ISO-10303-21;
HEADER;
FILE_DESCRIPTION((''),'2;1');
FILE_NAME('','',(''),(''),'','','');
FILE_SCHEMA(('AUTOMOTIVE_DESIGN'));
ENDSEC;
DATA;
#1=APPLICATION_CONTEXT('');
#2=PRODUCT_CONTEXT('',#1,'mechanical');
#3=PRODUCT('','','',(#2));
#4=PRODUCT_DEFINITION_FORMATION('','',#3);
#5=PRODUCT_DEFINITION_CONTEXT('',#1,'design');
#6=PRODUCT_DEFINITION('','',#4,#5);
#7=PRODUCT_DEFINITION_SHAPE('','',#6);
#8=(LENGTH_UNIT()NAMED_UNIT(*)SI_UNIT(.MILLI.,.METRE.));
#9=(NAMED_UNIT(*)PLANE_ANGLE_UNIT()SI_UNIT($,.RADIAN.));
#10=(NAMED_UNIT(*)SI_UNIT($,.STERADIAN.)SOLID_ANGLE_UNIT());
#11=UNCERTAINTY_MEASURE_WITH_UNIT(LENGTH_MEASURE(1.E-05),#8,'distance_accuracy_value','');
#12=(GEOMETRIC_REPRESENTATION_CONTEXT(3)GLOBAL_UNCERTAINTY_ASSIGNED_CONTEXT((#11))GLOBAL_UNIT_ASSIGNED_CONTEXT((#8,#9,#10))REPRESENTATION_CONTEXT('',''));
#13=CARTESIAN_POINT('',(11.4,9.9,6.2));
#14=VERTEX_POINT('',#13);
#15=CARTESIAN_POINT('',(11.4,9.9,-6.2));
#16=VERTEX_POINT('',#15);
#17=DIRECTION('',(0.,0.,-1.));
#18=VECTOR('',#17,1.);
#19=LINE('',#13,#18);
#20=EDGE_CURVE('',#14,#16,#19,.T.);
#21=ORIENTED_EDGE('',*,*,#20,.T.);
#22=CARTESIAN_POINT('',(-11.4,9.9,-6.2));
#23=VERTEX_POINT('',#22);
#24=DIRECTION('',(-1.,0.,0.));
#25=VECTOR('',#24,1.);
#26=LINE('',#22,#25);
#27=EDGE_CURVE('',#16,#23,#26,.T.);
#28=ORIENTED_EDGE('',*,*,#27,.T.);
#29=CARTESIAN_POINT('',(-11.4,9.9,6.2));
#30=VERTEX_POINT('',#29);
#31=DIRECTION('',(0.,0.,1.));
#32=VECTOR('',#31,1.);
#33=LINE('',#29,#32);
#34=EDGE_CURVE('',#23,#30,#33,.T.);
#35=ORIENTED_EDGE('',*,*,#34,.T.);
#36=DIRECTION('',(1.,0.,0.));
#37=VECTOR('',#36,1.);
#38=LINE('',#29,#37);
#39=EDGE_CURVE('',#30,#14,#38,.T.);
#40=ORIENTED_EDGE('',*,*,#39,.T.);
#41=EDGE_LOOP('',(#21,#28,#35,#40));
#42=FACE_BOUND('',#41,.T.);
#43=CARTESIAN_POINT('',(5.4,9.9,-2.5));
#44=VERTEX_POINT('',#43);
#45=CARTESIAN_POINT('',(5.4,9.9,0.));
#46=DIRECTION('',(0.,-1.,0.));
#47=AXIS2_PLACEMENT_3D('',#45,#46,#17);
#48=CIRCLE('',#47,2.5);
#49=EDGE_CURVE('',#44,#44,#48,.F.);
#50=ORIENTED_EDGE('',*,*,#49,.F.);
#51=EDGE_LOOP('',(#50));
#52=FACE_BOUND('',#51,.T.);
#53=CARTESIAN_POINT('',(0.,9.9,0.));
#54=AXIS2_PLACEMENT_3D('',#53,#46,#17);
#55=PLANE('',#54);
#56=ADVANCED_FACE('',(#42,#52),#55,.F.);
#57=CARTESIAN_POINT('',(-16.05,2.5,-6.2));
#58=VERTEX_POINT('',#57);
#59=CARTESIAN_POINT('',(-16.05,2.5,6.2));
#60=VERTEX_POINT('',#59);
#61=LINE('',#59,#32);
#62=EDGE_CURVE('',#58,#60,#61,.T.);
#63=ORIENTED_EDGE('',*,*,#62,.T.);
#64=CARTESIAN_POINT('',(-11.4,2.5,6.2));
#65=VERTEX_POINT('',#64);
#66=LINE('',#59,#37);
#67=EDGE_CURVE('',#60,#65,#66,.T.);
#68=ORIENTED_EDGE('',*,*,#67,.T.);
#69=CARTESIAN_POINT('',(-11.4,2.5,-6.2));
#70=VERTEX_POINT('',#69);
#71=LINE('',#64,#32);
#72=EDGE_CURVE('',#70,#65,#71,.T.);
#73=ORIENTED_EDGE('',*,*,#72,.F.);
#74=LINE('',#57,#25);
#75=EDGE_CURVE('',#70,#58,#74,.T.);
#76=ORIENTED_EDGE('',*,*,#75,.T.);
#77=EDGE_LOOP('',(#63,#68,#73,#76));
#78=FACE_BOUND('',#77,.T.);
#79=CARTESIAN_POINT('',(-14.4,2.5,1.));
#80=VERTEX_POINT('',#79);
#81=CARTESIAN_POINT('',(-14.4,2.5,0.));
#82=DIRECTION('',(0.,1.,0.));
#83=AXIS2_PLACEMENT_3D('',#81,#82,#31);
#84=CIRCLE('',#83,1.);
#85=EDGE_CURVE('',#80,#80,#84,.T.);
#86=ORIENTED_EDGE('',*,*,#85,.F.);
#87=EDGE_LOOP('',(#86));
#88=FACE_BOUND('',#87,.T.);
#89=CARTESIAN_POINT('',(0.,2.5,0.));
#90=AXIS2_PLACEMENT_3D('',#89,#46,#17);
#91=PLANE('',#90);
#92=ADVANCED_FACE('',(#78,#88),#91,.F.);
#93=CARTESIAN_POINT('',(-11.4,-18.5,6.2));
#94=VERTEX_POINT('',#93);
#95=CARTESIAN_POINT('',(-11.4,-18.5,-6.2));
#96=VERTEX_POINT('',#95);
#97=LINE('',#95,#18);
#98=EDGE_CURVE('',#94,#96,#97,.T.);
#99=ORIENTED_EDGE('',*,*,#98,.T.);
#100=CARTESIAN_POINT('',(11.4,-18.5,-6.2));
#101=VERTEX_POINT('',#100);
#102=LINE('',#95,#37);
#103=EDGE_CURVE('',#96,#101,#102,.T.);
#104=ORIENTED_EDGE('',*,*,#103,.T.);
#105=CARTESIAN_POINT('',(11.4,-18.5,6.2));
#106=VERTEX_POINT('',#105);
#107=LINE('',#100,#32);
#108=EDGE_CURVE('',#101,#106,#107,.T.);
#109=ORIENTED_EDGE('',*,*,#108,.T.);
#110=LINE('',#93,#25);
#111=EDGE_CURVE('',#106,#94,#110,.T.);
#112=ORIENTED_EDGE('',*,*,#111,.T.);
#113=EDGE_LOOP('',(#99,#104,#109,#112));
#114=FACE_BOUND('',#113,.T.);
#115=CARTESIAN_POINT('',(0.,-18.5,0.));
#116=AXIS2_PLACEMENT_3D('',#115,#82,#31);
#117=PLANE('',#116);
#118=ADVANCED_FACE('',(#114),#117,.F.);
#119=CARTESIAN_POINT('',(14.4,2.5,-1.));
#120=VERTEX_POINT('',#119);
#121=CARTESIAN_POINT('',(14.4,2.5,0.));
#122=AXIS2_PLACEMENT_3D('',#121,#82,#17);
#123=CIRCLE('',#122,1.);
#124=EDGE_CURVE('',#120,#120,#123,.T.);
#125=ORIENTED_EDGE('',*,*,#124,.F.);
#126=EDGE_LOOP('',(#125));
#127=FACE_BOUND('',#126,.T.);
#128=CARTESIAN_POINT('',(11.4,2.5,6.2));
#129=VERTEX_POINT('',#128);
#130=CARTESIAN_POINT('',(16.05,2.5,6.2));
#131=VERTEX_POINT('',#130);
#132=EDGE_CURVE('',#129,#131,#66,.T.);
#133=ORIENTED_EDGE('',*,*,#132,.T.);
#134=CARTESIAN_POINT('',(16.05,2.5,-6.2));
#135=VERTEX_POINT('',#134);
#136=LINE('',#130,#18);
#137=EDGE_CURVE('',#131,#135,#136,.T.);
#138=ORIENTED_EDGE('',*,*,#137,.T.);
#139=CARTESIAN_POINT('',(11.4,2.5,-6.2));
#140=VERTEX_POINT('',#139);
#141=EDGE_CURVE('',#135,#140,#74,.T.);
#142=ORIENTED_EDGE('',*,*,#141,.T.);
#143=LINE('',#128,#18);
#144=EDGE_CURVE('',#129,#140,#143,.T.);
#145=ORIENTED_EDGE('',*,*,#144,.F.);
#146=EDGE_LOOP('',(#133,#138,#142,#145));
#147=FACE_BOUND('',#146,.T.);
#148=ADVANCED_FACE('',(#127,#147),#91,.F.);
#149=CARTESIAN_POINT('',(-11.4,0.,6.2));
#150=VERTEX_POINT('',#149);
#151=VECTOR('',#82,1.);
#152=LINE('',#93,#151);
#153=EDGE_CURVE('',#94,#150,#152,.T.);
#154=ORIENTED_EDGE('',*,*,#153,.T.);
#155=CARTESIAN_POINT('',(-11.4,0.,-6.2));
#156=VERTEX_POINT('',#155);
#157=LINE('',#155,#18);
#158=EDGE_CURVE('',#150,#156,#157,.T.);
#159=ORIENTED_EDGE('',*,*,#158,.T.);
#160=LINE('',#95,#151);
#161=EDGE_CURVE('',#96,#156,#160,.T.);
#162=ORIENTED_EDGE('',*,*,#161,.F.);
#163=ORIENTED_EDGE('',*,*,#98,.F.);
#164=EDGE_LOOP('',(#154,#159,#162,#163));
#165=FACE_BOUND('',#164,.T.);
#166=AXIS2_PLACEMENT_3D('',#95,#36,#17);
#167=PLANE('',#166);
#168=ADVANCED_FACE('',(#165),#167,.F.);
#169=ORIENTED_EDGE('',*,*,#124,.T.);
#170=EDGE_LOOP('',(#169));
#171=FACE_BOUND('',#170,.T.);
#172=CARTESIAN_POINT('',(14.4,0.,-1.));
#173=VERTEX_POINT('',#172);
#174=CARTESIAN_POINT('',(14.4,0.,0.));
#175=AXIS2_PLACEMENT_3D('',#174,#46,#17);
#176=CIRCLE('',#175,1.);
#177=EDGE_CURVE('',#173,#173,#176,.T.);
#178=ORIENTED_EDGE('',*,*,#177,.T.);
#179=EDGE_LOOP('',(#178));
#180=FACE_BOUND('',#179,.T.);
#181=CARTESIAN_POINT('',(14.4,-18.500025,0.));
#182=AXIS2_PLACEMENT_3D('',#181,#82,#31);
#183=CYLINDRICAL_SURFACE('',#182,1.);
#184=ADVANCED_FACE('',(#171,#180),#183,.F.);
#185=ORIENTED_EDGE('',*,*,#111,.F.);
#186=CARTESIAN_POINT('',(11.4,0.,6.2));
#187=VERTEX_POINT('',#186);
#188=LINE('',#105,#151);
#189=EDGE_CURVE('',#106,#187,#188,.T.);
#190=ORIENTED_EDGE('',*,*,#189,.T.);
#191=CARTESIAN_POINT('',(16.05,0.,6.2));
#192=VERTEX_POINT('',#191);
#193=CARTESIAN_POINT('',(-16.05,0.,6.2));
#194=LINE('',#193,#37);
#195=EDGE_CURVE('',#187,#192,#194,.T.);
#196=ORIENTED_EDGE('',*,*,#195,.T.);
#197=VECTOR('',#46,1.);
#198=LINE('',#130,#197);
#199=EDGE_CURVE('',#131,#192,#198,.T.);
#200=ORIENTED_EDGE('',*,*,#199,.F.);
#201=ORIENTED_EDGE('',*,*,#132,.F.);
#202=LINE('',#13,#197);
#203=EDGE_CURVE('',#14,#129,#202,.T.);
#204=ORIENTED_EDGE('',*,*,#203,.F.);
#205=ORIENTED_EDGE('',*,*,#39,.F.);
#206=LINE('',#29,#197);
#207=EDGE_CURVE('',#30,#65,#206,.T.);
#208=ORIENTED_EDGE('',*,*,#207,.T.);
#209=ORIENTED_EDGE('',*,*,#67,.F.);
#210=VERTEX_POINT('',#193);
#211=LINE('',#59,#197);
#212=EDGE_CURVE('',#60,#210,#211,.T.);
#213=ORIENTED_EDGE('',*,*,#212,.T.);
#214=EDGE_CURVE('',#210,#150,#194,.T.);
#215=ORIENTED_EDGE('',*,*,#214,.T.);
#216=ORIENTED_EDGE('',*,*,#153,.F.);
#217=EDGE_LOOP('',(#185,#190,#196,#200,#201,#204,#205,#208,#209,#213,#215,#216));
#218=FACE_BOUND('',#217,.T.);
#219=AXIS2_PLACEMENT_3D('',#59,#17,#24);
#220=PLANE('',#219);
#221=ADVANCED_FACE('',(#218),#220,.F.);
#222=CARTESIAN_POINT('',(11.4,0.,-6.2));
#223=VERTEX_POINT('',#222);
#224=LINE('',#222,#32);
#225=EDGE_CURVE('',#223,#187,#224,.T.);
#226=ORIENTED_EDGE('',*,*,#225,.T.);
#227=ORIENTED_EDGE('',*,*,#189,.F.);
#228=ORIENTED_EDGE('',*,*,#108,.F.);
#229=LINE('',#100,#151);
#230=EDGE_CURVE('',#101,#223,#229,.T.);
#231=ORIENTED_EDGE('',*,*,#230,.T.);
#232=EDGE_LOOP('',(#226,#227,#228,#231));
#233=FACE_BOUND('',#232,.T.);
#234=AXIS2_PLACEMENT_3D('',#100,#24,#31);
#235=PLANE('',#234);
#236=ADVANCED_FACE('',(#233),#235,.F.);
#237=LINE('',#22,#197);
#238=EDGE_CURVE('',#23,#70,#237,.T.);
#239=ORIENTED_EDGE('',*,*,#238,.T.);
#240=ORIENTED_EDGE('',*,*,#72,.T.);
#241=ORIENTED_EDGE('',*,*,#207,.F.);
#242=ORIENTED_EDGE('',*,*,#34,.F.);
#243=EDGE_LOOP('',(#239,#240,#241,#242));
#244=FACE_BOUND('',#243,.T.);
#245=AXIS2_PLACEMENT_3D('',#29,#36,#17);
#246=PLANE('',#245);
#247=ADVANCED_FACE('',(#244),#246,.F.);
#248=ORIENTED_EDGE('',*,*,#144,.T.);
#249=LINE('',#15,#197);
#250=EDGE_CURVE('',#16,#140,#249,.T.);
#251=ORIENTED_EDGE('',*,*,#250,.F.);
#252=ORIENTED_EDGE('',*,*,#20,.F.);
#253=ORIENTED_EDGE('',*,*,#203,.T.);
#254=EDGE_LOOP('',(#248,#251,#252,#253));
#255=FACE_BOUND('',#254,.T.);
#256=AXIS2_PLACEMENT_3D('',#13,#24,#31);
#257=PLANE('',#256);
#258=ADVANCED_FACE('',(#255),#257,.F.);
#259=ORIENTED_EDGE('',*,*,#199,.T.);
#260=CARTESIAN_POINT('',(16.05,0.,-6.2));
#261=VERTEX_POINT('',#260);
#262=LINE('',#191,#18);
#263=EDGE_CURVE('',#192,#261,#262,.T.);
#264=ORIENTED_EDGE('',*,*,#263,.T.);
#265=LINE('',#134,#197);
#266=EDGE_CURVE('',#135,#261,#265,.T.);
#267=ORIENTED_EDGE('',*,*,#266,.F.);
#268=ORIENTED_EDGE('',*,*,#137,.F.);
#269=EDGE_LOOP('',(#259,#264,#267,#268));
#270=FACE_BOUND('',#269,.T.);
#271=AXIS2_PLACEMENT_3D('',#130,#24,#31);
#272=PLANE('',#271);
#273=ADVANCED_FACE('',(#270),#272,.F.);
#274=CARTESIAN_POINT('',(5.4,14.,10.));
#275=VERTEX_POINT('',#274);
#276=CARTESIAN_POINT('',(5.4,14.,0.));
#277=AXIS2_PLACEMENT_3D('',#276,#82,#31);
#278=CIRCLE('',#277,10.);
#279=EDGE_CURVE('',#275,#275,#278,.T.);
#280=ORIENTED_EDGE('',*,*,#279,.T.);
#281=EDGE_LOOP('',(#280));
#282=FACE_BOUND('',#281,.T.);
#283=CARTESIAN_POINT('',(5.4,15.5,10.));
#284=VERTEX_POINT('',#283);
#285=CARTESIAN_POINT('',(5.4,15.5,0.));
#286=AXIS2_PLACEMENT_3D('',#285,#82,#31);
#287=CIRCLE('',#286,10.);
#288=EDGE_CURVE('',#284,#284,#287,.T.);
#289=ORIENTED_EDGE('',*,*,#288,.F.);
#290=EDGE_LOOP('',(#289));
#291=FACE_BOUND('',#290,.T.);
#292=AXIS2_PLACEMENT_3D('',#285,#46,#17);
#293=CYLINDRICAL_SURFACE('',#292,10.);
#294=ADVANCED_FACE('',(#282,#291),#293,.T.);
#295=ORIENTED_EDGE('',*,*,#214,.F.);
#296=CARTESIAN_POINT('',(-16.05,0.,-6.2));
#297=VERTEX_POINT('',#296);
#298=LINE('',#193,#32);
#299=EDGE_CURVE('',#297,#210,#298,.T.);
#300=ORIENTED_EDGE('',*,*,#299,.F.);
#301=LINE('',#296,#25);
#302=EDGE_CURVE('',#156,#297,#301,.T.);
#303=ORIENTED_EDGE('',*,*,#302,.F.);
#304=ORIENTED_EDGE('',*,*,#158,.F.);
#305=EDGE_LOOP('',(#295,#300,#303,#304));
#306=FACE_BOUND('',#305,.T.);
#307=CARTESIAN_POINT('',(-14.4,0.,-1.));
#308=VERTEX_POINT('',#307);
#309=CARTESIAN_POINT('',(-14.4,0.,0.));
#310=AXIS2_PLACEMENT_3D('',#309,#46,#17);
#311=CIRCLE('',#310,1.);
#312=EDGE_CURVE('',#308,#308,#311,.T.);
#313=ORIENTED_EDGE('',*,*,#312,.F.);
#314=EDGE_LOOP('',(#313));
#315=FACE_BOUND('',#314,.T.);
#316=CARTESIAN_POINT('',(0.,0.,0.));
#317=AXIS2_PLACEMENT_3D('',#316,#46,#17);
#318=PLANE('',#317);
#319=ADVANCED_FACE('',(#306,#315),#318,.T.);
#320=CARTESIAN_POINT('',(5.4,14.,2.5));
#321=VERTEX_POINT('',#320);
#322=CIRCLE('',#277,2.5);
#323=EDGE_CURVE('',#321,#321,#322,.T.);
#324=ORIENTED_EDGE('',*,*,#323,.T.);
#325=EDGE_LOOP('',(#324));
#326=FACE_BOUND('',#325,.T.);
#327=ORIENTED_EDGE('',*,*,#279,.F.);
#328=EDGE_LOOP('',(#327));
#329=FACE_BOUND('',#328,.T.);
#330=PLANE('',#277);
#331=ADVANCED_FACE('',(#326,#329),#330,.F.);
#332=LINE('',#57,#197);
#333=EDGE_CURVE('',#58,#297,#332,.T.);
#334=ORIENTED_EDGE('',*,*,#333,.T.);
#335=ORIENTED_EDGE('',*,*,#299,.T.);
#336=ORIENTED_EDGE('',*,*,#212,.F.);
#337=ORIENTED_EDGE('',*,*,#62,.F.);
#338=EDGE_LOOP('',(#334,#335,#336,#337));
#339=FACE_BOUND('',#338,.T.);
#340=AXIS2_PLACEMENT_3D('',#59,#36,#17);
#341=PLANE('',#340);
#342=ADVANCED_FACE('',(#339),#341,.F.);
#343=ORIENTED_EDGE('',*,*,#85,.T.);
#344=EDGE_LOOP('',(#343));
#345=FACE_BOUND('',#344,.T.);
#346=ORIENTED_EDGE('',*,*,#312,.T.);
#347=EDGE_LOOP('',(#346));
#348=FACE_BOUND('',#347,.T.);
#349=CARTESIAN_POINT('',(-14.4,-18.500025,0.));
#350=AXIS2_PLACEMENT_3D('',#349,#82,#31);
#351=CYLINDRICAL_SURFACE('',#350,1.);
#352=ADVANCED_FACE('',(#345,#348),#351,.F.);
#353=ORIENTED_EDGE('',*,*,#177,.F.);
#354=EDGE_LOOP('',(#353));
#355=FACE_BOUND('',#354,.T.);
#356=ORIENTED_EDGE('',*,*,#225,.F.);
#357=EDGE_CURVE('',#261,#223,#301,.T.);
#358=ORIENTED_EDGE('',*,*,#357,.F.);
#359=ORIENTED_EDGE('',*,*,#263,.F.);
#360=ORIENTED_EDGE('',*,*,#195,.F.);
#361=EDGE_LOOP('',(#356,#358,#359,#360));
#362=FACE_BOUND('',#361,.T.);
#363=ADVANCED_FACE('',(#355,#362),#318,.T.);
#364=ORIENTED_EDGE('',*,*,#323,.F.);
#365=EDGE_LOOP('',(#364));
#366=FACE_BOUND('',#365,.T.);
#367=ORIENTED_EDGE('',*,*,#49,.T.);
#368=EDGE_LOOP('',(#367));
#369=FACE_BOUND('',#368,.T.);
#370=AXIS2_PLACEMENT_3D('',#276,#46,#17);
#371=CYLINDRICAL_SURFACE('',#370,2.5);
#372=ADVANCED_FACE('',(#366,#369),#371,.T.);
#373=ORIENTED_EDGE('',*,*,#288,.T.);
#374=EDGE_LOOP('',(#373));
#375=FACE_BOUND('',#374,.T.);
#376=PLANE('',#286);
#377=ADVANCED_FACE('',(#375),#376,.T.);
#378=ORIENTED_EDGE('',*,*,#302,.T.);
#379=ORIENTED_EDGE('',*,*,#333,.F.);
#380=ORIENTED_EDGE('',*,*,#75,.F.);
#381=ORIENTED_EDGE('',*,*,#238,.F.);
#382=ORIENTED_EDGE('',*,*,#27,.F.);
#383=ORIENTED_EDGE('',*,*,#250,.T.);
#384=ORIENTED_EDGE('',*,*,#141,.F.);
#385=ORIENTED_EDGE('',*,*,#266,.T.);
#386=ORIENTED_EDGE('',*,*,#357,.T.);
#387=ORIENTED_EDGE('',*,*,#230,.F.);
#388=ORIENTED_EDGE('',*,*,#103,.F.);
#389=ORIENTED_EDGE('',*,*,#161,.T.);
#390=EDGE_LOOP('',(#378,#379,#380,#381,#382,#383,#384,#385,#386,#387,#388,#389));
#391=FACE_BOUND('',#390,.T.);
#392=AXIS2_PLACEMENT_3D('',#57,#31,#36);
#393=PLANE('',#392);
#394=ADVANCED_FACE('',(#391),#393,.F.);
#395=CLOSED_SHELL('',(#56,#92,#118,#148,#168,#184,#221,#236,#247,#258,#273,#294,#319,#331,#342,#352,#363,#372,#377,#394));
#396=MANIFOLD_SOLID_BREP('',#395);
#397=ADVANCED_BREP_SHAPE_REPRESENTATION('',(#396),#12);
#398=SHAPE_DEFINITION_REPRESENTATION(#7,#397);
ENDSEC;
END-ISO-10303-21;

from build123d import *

# Parameters (mm, degrees)
SKETCH2_W           = 32.1
SKETCH2_H           = 12.4
BOSS_EXTRUDE1_DEPTH = 2.5
SKETCH3_W           = 22.8
SKETCH3_H           = 12.4
BOSS_EXTRUDE2_DEPTH = 18.5
SKETCH4_W           = 22.8
SKETCH4_H           = 12.4
BOSS_EXTRUDE3_DEPTH = 7.4
SKETCH5_R           = 2.5
BOSS_EXTRUDE4_DEPTH = 4.1
SKETCH6_R           = 1
CUT_EXTRUDE1_DEPTH  = 28.148526664
SKETCH7_R           = 10
BOSS_EXTRUDE5_DEPTH = 1.5


with BuildPart() as part:
    # Sketch2 → Boss-Extrude1 (new body)
    with BuildSketch(Plane(origin=(0, 0, 0), x_dir=(1, 0, 0), z_dir=(0, 1, 0))):
        Rectangle(SKETCH2_W, SKETCH2_H)
    extrude(amount=BOSS_EXTRUDE1_DEPTH)

    # Sketch3 → Boss-Extrude2 (add)
    with BuildSketch(Plane(origin=(0, 0, 0), x_dir=(-1, 0, 0), z_dir=(0, -1, 0))):
        Rectangle(SKETCH3_W, SKETCH3_H)
    extrude(amount=BOSS_EXTRUDE2_DEPTH)

    # Sketch4 → Boss-Extrude3 (add)
    with BuildSketch(Plane(origin=(0, 2.5, 0), x_dir=(1, 0, 0), z_dir=(0, 1, 0))):
        Rectangle(SKETCH4_W, SKETCH4_H)
    extrude(amount=BOSS_EXTRUDE3_DEPTH)

    # Sketch5 → Boss-Extrude4 (add)
    with BuildSketch(Plane(origin=(0, 9.9, 0), x_dir=(1, 0, 0), z_dir=(0, 1, 0))):
        with Locations(Location((5.4, 0, 0), (0, 0, 90))):
            Circle(SKETCH5_R)
    extrude(amount=BOSS_EXTRUDE4_DEPTH)

    # Sketch6 → Cut-Extrude1 (cut, through all)
    with BuildSketch(Plane(origin=(0, 2.5, 0), x_dir=(1, 0, 0), z_dir=(0, 1, 0))):
        with Locations(Location((-14.4, 0, 0), (0, 0, 270))):
            Circle(SKETCH6_R)
        with Locations(Location((14.4, 0, 0), (0, 0, 90))):
            Circle(SKETCH6_R)
    extrude(amount=-CUT_EXTRUDE1_DEPTH, mode=Mode.SUBTRACT)

    # Sketch7 → Boss-Extrude5 (add)
    with BuildSketch(Plane(origin=(0, 14, 0), x_dir=(1, 0, 0), z_dir=(0, 1, 0))):
        with Locations(Location((5.4, 0, 0), (0, 0, 270))):
            Circle(SKETCH7_R)
    extrude(amount=BOSS_EXTRUDE5_DEPTH)


solid = part.part
